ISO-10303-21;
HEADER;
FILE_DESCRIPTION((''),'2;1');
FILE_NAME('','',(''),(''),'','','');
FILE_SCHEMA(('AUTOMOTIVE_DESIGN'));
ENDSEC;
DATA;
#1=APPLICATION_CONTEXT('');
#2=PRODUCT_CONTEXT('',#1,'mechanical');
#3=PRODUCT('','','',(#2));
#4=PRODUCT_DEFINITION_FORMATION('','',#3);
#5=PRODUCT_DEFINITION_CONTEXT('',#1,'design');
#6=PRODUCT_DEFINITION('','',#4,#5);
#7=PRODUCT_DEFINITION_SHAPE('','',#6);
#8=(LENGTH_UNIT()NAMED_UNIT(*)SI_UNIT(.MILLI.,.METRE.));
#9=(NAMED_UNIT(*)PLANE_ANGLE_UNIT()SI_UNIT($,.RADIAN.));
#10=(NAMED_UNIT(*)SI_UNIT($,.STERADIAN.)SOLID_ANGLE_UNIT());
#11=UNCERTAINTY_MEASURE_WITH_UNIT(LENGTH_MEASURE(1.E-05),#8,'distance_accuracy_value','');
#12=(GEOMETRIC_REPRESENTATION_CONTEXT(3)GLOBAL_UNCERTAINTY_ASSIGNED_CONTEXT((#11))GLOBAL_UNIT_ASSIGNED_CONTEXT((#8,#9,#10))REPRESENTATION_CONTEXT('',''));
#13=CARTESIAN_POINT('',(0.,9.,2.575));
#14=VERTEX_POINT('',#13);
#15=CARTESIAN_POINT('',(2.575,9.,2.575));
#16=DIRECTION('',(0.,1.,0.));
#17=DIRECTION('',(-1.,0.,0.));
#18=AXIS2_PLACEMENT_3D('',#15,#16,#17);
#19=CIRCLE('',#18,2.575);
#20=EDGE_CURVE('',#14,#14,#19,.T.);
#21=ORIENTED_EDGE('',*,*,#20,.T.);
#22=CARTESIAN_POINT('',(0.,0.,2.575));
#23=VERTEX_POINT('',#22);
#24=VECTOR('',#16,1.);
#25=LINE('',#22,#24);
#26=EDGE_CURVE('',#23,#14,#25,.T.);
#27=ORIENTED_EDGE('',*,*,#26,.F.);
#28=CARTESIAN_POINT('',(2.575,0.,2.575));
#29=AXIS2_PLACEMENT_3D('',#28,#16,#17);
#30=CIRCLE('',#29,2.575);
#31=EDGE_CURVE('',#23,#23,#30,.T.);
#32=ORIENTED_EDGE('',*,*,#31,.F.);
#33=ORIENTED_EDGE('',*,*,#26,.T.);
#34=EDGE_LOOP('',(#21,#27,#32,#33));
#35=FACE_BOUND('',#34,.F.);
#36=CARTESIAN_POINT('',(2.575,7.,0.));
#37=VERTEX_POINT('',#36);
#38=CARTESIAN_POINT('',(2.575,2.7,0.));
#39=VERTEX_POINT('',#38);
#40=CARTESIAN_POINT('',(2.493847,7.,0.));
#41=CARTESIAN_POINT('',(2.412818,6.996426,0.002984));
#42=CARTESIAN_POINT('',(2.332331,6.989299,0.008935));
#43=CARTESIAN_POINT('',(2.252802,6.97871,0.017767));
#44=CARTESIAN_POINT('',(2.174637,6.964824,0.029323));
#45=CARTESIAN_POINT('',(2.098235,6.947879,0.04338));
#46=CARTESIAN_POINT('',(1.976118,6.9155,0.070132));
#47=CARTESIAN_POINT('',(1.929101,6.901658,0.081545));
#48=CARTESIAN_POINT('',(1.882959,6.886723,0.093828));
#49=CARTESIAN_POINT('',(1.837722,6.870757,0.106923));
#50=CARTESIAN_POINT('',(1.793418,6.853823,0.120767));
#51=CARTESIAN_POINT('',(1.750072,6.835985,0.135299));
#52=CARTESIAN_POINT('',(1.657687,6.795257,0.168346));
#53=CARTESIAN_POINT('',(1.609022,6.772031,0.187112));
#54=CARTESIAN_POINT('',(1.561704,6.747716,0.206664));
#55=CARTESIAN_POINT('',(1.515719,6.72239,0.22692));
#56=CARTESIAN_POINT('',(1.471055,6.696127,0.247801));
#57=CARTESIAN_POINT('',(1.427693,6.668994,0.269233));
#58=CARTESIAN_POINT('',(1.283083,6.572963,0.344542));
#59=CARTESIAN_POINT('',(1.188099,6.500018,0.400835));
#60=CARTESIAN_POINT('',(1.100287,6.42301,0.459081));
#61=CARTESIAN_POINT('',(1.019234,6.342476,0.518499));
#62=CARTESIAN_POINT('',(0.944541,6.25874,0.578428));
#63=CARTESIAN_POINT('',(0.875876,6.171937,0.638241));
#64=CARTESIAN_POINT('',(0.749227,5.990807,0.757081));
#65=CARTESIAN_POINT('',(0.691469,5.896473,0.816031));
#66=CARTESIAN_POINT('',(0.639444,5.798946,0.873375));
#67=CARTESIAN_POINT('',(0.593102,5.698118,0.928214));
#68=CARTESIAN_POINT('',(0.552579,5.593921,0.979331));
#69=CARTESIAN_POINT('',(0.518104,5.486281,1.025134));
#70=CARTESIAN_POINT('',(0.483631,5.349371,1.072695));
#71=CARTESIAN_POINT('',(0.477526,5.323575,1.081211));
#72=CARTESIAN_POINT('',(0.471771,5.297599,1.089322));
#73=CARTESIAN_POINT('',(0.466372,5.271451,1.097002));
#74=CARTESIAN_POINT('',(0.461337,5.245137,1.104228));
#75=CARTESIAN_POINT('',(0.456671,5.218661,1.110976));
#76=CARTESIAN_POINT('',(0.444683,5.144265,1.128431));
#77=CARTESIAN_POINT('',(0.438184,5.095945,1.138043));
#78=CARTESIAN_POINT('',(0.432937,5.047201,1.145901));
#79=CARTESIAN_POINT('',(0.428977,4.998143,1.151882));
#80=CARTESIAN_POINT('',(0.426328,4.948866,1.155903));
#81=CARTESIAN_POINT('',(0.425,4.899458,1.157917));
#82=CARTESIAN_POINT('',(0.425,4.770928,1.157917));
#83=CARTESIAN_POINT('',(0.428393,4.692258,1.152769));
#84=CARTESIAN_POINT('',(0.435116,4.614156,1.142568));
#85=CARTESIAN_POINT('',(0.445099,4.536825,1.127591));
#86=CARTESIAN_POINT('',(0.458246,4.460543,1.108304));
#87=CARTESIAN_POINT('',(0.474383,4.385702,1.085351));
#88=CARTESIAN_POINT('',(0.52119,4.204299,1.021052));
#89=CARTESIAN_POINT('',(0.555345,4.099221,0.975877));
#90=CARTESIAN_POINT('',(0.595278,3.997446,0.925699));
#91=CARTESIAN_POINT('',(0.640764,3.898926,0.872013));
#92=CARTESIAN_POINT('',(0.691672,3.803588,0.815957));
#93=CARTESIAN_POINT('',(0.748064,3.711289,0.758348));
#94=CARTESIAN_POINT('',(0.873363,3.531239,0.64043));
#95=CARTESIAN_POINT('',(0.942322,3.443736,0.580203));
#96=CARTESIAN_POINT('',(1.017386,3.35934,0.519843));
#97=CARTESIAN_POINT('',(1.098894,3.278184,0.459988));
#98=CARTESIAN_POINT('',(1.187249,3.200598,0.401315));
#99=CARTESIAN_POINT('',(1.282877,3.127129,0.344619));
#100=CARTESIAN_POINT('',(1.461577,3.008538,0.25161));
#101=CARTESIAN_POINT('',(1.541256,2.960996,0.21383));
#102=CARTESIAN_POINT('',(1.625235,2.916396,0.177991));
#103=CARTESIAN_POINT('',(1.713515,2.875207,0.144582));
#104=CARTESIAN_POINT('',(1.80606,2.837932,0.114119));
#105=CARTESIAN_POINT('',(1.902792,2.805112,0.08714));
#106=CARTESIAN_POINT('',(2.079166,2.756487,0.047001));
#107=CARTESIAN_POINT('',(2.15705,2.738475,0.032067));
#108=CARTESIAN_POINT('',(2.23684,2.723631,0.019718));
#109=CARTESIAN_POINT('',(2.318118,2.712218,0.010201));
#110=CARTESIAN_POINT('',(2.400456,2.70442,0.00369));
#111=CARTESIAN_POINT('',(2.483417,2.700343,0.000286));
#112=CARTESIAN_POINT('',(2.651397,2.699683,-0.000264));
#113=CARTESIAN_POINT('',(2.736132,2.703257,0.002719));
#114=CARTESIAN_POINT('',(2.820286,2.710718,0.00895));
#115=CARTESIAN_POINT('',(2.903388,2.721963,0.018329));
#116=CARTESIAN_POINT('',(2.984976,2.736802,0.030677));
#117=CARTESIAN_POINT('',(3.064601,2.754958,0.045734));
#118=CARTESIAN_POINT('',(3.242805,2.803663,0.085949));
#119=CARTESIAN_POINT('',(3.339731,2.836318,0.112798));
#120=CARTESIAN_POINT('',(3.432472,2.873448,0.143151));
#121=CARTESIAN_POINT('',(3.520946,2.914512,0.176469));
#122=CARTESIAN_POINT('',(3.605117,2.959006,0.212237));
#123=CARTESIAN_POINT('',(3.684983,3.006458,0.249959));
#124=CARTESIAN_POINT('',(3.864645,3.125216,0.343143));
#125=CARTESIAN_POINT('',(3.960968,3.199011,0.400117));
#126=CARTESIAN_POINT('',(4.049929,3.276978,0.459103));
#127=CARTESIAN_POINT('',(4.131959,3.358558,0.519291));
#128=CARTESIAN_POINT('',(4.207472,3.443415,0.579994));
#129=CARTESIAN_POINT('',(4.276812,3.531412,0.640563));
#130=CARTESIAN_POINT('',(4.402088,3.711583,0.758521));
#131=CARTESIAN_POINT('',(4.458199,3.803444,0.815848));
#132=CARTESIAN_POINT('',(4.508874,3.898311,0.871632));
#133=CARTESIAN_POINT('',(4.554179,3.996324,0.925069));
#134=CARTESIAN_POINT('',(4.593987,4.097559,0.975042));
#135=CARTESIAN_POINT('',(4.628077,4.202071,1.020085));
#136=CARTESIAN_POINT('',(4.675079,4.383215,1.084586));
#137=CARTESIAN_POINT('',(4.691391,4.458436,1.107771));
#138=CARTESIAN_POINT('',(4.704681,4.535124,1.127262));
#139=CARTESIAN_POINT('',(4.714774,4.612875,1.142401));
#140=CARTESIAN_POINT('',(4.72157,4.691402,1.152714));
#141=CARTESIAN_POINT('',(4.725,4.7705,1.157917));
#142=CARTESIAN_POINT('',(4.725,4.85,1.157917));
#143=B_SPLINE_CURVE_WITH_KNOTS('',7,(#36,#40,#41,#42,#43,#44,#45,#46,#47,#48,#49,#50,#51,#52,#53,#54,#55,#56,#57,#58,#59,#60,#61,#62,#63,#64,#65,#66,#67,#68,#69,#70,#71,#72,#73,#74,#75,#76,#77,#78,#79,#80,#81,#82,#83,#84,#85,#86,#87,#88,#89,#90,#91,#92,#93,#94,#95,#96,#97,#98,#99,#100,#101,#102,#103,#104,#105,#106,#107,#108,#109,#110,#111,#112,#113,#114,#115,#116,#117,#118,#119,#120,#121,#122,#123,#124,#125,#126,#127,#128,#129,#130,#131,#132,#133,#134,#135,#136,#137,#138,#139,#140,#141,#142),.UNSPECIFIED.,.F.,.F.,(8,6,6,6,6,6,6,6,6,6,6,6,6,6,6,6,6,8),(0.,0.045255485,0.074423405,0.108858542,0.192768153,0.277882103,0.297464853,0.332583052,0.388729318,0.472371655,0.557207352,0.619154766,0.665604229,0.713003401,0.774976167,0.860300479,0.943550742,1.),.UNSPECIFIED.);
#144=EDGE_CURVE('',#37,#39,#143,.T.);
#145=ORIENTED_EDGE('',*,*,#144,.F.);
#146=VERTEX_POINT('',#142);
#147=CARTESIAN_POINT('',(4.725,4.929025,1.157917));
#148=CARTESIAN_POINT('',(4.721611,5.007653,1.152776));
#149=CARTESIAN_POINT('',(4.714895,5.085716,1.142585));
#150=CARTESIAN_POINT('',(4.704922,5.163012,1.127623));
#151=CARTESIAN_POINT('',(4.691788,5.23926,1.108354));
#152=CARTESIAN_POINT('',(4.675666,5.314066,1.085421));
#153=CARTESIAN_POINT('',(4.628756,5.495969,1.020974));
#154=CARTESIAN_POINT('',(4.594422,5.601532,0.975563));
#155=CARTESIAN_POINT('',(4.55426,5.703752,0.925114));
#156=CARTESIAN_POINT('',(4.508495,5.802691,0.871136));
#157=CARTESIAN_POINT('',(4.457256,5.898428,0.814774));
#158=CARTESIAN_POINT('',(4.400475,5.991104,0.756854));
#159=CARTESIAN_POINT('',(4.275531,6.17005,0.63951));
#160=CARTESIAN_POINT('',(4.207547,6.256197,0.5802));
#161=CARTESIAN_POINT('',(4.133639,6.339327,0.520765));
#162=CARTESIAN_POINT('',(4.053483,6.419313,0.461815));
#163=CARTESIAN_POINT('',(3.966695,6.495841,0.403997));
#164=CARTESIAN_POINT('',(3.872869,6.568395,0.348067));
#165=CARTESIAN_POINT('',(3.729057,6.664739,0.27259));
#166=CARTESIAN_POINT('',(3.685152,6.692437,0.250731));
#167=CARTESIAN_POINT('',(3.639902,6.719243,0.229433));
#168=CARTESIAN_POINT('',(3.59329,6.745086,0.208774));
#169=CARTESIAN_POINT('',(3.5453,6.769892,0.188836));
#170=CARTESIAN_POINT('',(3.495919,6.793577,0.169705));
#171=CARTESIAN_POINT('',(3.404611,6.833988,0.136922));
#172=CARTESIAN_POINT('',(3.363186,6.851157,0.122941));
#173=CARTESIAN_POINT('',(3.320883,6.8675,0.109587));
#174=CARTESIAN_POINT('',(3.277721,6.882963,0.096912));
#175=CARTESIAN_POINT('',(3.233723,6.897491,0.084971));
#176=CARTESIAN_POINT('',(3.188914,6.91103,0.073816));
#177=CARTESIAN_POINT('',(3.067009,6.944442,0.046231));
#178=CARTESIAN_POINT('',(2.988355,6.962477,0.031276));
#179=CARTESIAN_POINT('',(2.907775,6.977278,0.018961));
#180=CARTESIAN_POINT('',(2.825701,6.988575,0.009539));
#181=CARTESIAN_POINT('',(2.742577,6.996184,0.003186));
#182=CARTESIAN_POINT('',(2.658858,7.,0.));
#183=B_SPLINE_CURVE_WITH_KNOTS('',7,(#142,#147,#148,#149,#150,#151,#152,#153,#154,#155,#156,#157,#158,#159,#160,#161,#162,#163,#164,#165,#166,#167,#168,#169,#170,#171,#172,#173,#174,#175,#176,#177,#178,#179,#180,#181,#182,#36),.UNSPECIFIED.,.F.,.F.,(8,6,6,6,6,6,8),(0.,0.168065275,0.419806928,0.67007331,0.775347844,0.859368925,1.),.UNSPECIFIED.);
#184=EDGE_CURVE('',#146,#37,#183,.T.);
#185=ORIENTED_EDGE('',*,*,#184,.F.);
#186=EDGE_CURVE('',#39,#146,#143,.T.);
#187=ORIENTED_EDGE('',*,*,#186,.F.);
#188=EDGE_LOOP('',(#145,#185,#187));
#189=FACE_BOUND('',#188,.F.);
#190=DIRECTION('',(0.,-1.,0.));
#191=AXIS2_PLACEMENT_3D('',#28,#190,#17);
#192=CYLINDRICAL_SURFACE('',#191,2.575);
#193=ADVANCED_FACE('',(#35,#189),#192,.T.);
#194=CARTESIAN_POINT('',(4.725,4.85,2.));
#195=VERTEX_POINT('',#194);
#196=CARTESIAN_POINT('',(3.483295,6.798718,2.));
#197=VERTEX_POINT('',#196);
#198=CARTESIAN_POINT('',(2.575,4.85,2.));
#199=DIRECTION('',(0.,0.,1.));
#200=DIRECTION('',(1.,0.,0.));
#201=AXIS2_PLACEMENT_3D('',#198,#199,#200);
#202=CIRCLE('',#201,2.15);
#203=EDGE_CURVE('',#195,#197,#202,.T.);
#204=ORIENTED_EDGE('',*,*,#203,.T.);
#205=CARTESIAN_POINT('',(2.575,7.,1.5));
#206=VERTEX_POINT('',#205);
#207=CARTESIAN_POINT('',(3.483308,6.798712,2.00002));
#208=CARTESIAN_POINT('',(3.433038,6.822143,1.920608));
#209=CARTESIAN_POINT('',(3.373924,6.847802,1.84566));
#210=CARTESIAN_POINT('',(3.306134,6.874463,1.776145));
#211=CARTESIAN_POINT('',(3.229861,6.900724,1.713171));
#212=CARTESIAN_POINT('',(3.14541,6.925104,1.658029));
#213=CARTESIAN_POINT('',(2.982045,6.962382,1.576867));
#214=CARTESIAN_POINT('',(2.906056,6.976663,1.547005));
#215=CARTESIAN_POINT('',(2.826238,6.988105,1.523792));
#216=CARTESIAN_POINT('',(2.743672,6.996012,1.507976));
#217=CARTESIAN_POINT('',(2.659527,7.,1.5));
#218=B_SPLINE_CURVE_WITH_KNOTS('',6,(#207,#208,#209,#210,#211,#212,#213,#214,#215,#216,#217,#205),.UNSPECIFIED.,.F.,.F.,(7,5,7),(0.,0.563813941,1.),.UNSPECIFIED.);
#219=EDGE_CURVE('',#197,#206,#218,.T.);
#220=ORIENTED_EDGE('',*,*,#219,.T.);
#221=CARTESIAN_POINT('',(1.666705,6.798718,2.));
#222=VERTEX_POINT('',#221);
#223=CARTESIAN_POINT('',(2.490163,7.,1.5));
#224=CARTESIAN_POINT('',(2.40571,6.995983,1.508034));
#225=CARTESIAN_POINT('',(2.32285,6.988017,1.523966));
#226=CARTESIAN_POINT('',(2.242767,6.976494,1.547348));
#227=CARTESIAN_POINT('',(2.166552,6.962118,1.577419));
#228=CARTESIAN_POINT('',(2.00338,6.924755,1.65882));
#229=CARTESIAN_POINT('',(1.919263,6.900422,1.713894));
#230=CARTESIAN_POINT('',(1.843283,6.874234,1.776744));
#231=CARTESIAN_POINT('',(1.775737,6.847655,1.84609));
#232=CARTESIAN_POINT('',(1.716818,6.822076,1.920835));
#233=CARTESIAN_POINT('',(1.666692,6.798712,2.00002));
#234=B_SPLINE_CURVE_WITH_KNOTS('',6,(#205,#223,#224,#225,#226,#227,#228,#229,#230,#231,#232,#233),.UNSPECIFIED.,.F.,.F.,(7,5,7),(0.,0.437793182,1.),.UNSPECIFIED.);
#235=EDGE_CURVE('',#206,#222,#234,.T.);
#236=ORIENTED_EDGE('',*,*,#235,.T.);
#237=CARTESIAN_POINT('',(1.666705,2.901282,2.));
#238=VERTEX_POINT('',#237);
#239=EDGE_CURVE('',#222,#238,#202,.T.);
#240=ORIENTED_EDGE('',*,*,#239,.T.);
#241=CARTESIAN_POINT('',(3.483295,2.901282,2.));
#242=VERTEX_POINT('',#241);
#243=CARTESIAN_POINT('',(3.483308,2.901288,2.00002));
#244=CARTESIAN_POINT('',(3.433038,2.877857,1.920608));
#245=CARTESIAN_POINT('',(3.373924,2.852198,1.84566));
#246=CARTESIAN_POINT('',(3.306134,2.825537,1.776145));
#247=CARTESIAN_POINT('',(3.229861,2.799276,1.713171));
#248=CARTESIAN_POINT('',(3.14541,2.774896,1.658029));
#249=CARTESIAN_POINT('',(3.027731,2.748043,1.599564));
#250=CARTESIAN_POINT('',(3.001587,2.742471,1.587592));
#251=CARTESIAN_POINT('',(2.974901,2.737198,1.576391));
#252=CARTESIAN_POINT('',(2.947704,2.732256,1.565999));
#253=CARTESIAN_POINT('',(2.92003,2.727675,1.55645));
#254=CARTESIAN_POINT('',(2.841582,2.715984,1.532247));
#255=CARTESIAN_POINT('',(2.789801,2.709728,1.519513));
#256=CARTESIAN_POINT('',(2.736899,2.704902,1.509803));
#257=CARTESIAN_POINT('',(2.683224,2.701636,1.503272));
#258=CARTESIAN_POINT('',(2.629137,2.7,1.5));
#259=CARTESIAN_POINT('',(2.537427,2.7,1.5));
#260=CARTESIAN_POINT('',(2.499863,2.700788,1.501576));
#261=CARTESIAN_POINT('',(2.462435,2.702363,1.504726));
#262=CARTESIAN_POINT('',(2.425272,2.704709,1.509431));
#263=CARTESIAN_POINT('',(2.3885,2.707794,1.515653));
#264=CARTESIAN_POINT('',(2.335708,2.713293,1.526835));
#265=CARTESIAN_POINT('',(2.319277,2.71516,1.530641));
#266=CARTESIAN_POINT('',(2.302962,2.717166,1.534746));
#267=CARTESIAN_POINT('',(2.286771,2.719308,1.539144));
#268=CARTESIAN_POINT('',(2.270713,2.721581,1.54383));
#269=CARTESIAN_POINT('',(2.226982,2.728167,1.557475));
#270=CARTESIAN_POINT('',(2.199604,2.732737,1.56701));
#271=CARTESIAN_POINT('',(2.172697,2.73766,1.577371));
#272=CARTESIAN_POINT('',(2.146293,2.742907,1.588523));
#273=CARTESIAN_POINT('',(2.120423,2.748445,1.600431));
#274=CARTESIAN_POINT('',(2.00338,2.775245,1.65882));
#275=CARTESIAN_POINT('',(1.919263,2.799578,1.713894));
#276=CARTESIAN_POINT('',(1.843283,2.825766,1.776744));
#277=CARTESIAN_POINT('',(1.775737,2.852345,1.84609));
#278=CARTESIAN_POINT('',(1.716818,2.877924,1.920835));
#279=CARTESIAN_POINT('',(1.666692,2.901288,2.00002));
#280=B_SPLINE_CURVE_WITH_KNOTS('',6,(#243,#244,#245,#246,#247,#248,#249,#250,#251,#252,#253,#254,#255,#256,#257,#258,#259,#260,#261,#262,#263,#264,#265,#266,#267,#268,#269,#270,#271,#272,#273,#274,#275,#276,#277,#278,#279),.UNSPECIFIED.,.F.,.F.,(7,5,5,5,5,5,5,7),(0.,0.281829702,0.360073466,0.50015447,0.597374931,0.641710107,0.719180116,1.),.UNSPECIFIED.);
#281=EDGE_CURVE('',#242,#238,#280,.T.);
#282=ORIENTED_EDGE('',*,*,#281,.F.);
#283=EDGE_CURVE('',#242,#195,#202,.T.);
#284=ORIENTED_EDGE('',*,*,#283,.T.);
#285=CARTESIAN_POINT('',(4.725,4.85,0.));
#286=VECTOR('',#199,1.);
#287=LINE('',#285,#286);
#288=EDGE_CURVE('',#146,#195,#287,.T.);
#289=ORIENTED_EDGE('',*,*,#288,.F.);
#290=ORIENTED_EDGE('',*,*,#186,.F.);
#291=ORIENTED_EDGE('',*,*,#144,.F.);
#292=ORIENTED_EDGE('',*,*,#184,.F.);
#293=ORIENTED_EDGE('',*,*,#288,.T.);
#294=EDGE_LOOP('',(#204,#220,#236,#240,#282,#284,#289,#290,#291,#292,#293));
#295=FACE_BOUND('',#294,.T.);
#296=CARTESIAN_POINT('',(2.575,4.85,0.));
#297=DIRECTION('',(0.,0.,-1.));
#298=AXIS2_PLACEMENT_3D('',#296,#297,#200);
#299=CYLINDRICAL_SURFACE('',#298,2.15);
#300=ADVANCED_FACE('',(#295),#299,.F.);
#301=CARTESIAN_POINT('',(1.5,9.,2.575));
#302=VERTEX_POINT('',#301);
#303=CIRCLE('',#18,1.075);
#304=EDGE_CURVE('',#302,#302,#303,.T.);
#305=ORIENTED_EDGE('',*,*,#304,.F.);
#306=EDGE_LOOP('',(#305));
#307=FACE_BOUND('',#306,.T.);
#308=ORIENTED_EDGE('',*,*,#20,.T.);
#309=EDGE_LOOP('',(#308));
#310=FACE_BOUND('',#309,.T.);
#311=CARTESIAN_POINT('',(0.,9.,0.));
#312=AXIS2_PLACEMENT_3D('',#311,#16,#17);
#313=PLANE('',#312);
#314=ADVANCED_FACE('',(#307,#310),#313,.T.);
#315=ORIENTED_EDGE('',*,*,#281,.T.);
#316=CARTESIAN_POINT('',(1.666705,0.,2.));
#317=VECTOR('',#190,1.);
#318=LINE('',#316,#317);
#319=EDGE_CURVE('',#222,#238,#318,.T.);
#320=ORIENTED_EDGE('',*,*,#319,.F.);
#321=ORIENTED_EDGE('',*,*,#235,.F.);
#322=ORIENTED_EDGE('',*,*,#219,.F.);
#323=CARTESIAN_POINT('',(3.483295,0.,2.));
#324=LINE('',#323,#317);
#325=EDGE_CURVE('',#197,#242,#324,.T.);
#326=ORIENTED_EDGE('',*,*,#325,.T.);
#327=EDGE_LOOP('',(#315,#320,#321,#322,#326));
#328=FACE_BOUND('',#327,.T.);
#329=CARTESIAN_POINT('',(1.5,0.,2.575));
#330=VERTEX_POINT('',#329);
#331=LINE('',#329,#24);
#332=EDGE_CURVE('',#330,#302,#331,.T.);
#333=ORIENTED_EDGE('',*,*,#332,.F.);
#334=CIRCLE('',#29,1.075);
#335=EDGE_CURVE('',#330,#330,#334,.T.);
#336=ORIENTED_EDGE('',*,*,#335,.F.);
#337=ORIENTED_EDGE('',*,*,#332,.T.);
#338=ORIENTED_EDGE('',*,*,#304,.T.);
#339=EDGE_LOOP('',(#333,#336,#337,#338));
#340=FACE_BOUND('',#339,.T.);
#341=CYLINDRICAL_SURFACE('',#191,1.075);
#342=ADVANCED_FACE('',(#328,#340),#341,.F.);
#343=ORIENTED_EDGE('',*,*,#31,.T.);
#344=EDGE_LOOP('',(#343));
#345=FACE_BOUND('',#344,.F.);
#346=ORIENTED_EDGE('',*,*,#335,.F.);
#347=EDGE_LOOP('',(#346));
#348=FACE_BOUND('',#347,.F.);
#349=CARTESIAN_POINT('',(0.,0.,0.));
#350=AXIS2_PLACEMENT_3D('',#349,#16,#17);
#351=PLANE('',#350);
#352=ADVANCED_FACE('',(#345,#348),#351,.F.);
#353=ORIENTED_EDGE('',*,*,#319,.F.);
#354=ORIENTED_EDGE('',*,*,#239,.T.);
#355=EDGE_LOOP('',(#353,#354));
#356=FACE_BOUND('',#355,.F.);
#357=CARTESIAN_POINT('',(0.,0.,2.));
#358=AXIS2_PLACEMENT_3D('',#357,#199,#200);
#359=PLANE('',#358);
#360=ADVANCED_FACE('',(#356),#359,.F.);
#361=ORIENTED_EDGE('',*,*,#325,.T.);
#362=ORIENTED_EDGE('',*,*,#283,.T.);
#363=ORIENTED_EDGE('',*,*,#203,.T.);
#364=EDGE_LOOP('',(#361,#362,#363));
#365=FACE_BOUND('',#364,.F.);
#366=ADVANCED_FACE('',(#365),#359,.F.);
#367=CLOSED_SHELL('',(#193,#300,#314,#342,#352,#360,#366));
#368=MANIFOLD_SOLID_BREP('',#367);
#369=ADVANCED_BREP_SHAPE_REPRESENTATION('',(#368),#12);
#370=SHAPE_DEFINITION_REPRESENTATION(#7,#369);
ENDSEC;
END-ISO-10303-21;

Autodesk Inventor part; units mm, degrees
ref_plane "YZ Plane" through (0, 0, 0) normal (1, 0, 0) x (0, 1, 0)
ref_plane "XZ Plane" through (0, 0, 0) normal (0, 1, 0) x (-1, 0, 0)
sketch "Sketch1" plane through (0, 0, 0) normal (0, 1, 0) x (-1, 0, 0)
  circle A0 centre (-2.575, 2.575) radius 1.075
  circle A1 centre (-2.575, 2.575) radius 2.575
  line L0 (0, 0) -> (-7.3028, 0) construction
  line L1 (0, 0) -> (0, 4.3038) construction
  dimension "d0" = 2.15
  dimension "d1" = 5.15
extrude "Extrusion1" add sketch "Sketch1" along normal blind 9
ref_plane "Work Plane1" through (2.575, 0, 1.5) normal (0, 0, 1) x (1, 0, 0)
ref_plane "screwMaxDist" through (2.575, 0, 2) normal (0, 0, 1) x (1, 0, 0)
sketch "Sketch2" plane through (0, 0, 0) normal (0, 0, 1) x (1, 0, 0)
  line L0 (5.15, 9) -> (0, 9) projected
  circle A0 centre (2.575, 4.85) radius 2.15
  line L1 (5.15, 9) -> (0, 9) projected
  line L2 (5.15, 0) -> (0, 0) projected
  line L3 (0, 0) -> (0, 9) projected
  line L4 (0, 7) -> (5.15, 7)
  line L5 (5.15, 0) -> (5.15, 9) projected
  dimension "d5" = 4.3
  dimension "d15" = 2
  dimension "d16" = 2.575
  dimension "d17" = 2.575
extrude "Extrusion2" cut sketch "Sketch2" along normal up to surface (2 mm away) contours A0
equation "\"d16\" = d17"
properties part number "motor_shaft_adapter" material "ABS Plastic"
